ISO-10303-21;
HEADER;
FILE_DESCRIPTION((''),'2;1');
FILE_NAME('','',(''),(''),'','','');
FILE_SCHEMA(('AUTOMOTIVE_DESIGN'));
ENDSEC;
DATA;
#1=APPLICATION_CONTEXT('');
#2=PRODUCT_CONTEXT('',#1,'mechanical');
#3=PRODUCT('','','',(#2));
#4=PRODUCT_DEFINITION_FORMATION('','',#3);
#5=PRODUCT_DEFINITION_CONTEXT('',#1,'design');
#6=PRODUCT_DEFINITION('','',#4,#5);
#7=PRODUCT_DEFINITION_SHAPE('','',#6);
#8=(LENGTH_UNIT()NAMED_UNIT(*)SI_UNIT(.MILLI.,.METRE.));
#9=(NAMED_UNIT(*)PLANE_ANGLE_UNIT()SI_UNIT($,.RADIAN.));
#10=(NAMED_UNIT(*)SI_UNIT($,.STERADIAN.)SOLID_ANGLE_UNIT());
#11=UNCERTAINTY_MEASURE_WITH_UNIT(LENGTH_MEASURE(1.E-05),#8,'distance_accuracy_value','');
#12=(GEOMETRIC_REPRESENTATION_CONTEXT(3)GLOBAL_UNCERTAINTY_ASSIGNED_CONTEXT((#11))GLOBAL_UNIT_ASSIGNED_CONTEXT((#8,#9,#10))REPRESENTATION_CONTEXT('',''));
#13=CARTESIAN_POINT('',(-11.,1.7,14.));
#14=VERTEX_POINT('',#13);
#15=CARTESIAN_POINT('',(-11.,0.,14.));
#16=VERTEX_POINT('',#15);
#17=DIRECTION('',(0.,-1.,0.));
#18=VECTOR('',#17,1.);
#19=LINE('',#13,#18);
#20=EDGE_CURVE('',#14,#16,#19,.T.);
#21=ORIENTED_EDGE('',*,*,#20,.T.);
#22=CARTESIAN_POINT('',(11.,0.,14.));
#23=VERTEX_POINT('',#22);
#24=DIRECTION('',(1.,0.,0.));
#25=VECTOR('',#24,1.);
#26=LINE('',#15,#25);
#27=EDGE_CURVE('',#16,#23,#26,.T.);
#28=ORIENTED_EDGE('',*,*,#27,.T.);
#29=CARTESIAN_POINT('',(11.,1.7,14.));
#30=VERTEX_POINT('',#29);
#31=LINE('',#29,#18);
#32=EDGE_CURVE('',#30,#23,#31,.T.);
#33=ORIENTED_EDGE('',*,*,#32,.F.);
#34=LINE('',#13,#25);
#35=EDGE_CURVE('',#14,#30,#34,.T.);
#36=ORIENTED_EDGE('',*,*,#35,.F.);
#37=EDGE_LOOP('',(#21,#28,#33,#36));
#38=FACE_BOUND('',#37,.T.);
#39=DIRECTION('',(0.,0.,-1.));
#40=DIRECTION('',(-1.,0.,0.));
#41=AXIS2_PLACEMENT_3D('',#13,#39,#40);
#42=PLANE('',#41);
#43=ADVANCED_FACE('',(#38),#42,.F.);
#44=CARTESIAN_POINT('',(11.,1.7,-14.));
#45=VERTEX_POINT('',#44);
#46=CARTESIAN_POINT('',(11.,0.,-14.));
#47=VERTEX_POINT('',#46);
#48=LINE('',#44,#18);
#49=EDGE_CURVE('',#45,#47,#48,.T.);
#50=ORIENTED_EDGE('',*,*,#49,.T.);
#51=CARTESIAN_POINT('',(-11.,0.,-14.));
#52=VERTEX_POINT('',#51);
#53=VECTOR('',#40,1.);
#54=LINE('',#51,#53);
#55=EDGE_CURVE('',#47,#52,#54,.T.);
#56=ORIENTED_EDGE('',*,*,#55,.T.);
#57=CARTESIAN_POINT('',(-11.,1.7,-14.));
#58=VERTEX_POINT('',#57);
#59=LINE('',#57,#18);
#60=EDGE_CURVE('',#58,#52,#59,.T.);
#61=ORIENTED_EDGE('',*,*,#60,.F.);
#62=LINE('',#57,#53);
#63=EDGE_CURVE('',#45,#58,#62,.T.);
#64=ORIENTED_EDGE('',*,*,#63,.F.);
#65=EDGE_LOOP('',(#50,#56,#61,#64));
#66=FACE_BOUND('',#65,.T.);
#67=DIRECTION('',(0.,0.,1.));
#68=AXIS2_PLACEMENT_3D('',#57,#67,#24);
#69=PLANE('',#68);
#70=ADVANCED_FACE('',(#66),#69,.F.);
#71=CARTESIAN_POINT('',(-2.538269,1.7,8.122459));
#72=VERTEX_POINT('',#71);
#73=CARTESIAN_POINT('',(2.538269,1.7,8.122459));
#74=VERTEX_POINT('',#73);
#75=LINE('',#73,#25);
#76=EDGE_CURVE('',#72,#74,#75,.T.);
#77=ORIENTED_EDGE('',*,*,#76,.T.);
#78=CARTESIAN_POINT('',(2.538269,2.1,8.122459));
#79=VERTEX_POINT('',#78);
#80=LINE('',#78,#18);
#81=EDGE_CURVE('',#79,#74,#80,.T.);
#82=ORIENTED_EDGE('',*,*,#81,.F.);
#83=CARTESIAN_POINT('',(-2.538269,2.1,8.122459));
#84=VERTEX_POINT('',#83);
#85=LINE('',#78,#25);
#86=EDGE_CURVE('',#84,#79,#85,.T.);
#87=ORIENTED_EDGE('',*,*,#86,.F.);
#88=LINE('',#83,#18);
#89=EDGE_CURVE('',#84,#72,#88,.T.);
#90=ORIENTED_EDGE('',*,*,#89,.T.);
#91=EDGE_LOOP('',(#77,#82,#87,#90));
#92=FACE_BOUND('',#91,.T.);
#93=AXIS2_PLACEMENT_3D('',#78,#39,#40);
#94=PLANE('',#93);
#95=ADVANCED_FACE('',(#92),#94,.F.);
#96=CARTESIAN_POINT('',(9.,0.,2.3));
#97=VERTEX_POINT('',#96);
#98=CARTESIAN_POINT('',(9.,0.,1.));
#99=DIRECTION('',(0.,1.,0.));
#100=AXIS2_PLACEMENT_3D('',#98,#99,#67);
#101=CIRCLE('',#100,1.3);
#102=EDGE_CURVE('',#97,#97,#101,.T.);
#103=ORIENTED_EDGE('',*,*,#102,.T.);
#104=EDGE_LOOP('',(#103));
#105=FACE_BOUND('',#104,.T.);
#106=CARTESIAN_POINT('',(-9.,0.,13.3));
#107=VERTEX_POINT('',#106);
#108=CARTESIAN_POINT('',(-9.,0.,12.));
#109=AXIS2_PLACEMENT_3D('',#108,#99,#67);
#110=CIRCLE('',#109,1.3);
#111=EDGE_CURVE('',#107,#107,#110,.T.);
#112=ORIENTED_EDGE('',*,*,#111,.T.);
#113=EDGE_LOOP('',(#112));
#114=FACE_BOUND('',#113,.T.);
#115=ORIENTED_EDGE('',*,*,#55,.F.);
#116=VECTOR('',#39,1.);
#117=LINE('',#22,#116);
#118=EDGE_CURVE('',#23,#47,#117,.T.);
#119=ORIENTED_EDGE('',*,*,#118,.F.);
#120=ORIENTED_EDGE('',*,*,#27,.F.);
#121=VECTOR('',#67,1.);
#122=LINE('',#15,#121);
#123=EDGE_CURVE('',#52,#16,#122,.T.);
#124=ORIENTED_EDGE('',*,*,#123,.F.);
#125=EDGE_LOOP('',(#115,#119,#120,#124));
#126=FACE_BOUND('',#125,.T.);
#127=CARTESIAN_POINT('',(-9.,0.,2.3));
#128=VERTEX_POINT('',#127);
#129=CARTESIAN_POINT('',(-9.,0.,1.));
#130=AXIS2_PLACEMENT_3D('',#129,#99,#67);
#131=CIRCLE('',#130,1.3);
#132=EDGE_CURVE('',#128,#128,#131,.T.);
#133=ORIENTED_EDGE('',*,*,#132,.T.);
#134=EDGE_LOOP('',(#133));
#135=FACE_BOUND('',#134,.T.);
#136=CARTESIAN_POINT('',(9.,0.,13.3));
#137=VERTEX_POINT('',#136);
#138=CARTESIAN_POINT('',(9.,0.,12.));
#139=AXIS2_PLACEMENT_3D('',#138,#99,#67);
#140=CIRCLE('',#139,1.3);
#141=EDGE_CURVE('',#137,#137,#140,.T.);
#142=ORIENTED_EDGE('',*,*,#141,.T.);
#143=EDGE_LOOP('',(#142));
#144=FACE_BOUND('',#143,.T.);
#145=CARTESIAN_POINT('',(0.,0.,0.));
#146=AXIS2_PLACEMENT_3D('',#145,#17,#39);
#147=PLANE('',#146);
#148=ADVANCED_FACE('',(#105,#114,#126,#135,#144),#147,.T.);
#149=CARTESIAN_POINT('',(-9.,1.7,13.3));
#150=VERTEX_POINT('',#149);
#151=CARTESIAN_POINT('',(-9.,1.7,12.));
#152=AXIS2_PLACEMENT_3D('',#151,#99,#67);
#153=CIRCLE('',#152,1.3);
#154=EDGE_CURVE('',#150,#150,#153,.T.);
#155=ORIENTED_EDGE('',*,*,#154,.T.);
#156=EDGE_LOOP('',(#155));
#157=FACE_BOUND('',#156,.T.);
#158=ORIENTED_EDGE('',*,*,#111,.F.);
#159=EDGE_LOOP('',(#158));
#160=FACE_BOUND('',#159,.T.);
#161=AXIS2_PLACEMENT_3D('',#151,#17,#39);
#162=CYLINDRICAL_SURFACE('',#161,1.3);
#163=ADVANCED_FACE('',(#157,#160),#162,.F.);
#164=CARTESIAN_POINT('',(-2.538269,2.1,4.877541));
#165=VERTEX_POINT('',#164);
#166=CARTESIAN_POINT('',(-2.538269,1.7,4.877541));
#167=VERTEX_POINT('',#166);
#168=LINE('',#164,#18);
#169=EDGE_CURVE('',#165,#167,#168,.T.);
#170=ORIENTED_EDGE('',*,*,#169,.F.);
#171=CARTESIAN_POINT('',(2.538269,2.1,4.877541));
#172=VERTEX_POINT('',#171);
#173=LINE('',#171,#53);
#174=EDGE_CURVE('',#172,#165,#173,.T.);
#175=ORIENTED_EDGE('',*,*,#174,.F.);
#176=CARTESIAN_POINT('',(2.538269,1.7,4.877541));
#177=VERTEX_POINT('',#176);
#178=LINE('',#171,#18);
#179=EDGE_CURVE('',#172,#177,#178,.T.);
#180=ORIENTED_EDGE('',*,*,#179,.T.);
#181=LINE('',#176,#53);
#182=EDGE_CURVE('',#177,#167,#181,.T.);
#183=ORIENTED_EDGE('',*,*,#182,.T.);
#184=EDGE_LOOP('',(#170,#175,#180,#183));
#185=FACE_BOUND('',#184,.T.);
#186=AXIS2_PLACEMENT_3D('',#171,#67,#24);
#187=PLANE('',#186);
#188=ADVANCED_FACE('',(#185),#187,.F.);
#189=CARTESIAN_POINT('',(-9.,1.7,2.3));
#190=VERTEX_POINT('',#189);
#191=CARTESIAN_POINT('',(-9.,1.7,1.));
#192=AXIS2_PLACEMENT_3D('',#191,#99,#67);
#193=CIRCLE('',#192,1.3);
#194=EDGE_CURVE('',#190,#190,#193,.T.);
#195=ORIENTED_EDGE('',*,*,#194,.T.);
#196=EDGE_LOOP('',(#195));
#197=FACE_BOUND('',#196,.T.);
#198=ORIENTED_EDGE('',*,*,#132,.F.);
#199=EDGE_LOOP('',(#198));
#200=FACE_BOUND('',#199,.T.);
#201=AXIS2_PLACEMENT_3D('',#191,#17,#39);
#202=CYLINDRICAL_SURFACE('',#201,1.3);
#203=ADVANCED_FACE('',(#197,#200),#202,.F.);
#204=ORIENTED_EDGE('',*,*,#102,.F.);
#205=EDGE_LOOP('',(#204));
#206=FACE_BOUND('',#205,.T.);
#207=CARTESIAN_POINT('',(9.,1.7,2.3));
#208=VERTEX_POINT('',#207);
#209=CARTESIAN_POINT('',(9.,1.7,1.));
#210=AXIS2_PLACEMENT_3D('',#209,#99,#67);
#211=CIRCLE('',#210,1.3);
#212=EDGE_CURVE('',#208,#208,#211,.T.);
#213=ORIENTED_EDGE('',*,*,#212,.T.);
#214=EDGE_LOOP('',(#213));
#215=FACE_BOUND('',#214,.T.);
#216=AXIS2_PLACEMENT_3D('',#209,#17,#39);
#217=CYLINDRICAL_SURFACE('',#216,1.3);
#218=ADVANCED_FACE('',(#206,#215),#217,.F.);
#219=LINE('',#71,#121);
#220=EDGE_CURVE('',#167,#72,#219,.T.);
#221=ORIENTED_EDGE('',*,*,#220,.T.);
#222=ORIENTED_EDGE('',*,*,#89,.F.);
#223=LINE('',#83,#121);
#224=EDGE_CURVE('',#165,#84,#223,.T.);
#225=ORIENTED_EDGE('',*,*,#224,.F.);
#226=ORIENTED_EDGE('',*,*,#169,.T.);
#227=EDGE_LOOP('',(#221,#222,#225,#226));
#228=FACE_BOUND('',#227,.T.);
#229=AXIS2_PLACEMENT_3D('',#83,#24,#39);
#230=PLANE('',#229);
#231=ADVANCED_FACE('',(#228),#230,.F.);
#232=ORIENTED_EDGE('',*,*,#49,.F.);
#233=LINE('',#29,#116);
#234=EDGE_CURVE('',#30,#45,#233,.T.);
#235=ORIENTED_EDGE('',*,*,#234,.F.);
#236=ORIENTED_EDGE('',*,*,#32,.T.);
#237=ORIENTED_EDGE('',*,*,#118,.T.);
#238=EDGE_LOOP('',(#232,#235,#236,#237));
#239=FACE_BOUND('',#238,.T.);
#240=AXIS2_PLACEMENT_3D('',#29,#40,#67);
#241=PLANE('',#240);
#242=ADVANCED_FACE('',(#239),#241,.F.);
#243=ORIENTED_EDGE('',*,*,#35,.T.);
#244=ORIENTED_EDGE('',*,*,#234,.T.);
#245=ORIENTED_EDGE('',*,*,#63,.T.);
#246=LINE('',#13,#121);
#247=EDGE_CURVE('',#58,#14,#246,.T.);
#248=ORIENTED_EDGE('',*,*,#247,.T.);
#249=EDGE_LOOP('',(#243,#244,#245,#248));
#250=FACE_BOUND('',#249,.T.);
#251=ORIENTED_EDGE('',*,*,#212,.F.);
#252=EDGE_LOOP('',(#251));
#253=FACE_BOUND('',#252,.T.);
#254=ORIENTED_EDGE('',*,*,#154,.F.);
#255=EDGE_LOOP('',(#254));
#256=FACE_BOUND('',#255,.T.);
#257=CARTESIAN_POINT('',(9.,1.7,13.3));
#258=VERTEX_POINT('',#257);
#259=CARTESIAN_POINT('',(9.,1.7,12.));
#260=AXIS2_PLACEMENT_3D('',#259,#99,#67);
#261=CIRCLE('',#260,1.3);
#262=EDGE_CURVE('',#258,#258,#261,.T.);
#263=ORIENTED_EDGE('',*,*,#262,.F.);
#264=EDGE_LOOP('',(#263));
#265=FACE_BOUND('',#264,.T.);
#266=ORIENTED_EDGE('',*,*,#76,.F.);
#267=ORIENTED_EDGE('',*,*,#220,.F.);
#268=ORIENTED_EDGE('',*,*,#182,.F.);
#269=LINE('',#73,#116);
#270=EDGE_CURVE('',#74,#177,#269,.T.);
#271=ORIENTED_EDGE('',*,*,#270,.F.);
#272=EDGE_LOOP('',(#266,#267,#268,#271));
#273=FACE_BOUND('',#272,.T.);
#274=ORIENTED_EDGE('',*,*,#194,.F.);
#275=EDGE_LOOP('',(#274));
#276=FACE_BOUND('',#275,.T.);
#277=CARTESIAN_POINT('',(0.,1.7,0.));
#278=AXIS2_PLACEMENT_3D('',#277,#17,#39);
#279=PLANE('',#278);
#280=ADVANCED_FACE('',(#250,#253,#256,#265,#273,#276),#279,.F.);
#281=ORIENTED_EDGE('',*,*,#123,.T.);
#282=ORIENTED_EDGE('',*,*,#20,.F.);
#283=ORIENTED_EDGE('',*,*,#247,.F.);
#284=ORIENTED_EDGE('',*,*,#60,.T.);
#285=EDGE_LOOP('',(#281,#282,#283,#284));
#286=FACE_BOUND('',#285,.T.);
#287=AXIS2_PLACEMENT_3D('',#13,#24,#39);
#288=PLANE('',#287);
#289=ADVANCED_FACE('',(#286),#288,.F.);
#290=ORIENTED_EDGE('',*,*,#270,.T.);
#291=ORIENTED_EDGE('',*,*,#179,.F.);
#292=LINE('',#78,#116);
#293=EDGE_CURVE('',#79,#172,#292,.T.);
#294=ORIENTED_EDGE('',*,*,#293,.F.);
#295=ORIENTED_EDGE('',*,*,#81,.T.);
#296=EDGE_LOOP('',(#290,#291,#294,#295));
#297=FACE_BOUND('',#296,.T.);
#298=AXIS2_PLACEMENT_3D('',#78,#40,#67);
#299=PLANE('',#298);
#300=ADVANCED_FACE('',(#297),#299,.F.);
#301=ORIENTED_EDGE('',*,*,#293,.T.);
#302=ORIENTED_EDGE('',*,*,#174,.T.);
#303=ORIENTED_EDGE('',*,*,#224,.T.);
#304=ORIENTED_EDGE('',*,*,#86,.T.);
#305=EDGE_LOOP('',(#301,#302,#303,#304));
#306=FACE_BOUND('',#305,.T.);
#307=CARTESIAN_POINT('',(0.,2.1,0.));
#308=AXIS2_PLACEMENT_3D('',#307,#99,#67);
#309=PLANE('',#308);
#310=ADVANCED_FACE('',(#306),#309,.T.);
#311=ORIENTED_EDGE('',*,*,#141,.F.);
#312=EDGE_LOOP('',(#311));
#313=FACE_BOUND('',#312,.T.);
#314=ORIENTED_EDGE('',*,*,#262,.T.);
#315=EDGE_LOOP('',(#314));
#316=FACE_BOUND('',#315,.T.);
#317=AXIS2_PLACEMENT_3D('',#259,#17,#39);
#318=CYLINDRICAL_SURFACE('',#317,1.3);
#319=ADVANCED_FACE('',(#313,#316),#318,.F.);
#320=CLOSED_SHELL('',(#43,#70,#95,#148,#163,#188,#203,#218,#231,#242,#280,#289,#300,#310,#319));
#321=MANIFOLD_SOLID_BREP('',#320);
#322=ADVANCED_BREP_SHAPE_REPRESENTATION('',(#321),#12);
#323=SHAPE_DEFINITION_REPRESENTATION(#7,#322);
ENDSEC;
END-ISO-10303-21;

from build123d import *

# Parameters (mm, degrees)
SKETCH1_W           = 22
SKETCH1_H           = 28
SKETCH1_R           = 1.3
BOSS_EXTRUDE1_DEPTH = 1.7
SKETCH2_W           = 5.076537092
SKETCH2_H           = 3.244918692
BOSS_EXTRUDE2_DEPTH = 0.4


with BuildPart() as part:
    # Sketch1 → Boss-Extrude1 (new body)
    with BuildSketch(Plane(origin=(0, 0, 0), x_dir=(1, 0, 0), z_dir=(0, 1, 0))):
        Rectangle(SKETCH1_W, SKETCH1_H)
        with Locations((9, -1)):
            Circle(SKETCH1_R, mode=Mode.SUBTRACT)
        with Locations((9, -12)):
            Circle(SKETCH1_R, mode=Mode.SUBTRACT)
        with Locations((-9, -1)):
            Circle(SKETCH1_R, mode=Mode.SUBTRACT)
        with Locations((-9, -12)):
            Circle(SKETCH1_R, mode=Mode.SUBTRACT)
    extrude(amount=BOSS_EXTRUDE1_DEPTH)

    # Sketch2 → Boss-Extrude2 (add)
    with BuildSketch(Plane(origin=(0, 1.7, 0), x_dir=(1, 0, 0), z_dir=(0, 1, 0))):
        with Locations((0, -6.5)):
            Rectangle(SKETCH2_W, SKETCH2_H)
    extrude(amount=BOSS_EXTRUDE2_DEPTH)


solid = part.part
